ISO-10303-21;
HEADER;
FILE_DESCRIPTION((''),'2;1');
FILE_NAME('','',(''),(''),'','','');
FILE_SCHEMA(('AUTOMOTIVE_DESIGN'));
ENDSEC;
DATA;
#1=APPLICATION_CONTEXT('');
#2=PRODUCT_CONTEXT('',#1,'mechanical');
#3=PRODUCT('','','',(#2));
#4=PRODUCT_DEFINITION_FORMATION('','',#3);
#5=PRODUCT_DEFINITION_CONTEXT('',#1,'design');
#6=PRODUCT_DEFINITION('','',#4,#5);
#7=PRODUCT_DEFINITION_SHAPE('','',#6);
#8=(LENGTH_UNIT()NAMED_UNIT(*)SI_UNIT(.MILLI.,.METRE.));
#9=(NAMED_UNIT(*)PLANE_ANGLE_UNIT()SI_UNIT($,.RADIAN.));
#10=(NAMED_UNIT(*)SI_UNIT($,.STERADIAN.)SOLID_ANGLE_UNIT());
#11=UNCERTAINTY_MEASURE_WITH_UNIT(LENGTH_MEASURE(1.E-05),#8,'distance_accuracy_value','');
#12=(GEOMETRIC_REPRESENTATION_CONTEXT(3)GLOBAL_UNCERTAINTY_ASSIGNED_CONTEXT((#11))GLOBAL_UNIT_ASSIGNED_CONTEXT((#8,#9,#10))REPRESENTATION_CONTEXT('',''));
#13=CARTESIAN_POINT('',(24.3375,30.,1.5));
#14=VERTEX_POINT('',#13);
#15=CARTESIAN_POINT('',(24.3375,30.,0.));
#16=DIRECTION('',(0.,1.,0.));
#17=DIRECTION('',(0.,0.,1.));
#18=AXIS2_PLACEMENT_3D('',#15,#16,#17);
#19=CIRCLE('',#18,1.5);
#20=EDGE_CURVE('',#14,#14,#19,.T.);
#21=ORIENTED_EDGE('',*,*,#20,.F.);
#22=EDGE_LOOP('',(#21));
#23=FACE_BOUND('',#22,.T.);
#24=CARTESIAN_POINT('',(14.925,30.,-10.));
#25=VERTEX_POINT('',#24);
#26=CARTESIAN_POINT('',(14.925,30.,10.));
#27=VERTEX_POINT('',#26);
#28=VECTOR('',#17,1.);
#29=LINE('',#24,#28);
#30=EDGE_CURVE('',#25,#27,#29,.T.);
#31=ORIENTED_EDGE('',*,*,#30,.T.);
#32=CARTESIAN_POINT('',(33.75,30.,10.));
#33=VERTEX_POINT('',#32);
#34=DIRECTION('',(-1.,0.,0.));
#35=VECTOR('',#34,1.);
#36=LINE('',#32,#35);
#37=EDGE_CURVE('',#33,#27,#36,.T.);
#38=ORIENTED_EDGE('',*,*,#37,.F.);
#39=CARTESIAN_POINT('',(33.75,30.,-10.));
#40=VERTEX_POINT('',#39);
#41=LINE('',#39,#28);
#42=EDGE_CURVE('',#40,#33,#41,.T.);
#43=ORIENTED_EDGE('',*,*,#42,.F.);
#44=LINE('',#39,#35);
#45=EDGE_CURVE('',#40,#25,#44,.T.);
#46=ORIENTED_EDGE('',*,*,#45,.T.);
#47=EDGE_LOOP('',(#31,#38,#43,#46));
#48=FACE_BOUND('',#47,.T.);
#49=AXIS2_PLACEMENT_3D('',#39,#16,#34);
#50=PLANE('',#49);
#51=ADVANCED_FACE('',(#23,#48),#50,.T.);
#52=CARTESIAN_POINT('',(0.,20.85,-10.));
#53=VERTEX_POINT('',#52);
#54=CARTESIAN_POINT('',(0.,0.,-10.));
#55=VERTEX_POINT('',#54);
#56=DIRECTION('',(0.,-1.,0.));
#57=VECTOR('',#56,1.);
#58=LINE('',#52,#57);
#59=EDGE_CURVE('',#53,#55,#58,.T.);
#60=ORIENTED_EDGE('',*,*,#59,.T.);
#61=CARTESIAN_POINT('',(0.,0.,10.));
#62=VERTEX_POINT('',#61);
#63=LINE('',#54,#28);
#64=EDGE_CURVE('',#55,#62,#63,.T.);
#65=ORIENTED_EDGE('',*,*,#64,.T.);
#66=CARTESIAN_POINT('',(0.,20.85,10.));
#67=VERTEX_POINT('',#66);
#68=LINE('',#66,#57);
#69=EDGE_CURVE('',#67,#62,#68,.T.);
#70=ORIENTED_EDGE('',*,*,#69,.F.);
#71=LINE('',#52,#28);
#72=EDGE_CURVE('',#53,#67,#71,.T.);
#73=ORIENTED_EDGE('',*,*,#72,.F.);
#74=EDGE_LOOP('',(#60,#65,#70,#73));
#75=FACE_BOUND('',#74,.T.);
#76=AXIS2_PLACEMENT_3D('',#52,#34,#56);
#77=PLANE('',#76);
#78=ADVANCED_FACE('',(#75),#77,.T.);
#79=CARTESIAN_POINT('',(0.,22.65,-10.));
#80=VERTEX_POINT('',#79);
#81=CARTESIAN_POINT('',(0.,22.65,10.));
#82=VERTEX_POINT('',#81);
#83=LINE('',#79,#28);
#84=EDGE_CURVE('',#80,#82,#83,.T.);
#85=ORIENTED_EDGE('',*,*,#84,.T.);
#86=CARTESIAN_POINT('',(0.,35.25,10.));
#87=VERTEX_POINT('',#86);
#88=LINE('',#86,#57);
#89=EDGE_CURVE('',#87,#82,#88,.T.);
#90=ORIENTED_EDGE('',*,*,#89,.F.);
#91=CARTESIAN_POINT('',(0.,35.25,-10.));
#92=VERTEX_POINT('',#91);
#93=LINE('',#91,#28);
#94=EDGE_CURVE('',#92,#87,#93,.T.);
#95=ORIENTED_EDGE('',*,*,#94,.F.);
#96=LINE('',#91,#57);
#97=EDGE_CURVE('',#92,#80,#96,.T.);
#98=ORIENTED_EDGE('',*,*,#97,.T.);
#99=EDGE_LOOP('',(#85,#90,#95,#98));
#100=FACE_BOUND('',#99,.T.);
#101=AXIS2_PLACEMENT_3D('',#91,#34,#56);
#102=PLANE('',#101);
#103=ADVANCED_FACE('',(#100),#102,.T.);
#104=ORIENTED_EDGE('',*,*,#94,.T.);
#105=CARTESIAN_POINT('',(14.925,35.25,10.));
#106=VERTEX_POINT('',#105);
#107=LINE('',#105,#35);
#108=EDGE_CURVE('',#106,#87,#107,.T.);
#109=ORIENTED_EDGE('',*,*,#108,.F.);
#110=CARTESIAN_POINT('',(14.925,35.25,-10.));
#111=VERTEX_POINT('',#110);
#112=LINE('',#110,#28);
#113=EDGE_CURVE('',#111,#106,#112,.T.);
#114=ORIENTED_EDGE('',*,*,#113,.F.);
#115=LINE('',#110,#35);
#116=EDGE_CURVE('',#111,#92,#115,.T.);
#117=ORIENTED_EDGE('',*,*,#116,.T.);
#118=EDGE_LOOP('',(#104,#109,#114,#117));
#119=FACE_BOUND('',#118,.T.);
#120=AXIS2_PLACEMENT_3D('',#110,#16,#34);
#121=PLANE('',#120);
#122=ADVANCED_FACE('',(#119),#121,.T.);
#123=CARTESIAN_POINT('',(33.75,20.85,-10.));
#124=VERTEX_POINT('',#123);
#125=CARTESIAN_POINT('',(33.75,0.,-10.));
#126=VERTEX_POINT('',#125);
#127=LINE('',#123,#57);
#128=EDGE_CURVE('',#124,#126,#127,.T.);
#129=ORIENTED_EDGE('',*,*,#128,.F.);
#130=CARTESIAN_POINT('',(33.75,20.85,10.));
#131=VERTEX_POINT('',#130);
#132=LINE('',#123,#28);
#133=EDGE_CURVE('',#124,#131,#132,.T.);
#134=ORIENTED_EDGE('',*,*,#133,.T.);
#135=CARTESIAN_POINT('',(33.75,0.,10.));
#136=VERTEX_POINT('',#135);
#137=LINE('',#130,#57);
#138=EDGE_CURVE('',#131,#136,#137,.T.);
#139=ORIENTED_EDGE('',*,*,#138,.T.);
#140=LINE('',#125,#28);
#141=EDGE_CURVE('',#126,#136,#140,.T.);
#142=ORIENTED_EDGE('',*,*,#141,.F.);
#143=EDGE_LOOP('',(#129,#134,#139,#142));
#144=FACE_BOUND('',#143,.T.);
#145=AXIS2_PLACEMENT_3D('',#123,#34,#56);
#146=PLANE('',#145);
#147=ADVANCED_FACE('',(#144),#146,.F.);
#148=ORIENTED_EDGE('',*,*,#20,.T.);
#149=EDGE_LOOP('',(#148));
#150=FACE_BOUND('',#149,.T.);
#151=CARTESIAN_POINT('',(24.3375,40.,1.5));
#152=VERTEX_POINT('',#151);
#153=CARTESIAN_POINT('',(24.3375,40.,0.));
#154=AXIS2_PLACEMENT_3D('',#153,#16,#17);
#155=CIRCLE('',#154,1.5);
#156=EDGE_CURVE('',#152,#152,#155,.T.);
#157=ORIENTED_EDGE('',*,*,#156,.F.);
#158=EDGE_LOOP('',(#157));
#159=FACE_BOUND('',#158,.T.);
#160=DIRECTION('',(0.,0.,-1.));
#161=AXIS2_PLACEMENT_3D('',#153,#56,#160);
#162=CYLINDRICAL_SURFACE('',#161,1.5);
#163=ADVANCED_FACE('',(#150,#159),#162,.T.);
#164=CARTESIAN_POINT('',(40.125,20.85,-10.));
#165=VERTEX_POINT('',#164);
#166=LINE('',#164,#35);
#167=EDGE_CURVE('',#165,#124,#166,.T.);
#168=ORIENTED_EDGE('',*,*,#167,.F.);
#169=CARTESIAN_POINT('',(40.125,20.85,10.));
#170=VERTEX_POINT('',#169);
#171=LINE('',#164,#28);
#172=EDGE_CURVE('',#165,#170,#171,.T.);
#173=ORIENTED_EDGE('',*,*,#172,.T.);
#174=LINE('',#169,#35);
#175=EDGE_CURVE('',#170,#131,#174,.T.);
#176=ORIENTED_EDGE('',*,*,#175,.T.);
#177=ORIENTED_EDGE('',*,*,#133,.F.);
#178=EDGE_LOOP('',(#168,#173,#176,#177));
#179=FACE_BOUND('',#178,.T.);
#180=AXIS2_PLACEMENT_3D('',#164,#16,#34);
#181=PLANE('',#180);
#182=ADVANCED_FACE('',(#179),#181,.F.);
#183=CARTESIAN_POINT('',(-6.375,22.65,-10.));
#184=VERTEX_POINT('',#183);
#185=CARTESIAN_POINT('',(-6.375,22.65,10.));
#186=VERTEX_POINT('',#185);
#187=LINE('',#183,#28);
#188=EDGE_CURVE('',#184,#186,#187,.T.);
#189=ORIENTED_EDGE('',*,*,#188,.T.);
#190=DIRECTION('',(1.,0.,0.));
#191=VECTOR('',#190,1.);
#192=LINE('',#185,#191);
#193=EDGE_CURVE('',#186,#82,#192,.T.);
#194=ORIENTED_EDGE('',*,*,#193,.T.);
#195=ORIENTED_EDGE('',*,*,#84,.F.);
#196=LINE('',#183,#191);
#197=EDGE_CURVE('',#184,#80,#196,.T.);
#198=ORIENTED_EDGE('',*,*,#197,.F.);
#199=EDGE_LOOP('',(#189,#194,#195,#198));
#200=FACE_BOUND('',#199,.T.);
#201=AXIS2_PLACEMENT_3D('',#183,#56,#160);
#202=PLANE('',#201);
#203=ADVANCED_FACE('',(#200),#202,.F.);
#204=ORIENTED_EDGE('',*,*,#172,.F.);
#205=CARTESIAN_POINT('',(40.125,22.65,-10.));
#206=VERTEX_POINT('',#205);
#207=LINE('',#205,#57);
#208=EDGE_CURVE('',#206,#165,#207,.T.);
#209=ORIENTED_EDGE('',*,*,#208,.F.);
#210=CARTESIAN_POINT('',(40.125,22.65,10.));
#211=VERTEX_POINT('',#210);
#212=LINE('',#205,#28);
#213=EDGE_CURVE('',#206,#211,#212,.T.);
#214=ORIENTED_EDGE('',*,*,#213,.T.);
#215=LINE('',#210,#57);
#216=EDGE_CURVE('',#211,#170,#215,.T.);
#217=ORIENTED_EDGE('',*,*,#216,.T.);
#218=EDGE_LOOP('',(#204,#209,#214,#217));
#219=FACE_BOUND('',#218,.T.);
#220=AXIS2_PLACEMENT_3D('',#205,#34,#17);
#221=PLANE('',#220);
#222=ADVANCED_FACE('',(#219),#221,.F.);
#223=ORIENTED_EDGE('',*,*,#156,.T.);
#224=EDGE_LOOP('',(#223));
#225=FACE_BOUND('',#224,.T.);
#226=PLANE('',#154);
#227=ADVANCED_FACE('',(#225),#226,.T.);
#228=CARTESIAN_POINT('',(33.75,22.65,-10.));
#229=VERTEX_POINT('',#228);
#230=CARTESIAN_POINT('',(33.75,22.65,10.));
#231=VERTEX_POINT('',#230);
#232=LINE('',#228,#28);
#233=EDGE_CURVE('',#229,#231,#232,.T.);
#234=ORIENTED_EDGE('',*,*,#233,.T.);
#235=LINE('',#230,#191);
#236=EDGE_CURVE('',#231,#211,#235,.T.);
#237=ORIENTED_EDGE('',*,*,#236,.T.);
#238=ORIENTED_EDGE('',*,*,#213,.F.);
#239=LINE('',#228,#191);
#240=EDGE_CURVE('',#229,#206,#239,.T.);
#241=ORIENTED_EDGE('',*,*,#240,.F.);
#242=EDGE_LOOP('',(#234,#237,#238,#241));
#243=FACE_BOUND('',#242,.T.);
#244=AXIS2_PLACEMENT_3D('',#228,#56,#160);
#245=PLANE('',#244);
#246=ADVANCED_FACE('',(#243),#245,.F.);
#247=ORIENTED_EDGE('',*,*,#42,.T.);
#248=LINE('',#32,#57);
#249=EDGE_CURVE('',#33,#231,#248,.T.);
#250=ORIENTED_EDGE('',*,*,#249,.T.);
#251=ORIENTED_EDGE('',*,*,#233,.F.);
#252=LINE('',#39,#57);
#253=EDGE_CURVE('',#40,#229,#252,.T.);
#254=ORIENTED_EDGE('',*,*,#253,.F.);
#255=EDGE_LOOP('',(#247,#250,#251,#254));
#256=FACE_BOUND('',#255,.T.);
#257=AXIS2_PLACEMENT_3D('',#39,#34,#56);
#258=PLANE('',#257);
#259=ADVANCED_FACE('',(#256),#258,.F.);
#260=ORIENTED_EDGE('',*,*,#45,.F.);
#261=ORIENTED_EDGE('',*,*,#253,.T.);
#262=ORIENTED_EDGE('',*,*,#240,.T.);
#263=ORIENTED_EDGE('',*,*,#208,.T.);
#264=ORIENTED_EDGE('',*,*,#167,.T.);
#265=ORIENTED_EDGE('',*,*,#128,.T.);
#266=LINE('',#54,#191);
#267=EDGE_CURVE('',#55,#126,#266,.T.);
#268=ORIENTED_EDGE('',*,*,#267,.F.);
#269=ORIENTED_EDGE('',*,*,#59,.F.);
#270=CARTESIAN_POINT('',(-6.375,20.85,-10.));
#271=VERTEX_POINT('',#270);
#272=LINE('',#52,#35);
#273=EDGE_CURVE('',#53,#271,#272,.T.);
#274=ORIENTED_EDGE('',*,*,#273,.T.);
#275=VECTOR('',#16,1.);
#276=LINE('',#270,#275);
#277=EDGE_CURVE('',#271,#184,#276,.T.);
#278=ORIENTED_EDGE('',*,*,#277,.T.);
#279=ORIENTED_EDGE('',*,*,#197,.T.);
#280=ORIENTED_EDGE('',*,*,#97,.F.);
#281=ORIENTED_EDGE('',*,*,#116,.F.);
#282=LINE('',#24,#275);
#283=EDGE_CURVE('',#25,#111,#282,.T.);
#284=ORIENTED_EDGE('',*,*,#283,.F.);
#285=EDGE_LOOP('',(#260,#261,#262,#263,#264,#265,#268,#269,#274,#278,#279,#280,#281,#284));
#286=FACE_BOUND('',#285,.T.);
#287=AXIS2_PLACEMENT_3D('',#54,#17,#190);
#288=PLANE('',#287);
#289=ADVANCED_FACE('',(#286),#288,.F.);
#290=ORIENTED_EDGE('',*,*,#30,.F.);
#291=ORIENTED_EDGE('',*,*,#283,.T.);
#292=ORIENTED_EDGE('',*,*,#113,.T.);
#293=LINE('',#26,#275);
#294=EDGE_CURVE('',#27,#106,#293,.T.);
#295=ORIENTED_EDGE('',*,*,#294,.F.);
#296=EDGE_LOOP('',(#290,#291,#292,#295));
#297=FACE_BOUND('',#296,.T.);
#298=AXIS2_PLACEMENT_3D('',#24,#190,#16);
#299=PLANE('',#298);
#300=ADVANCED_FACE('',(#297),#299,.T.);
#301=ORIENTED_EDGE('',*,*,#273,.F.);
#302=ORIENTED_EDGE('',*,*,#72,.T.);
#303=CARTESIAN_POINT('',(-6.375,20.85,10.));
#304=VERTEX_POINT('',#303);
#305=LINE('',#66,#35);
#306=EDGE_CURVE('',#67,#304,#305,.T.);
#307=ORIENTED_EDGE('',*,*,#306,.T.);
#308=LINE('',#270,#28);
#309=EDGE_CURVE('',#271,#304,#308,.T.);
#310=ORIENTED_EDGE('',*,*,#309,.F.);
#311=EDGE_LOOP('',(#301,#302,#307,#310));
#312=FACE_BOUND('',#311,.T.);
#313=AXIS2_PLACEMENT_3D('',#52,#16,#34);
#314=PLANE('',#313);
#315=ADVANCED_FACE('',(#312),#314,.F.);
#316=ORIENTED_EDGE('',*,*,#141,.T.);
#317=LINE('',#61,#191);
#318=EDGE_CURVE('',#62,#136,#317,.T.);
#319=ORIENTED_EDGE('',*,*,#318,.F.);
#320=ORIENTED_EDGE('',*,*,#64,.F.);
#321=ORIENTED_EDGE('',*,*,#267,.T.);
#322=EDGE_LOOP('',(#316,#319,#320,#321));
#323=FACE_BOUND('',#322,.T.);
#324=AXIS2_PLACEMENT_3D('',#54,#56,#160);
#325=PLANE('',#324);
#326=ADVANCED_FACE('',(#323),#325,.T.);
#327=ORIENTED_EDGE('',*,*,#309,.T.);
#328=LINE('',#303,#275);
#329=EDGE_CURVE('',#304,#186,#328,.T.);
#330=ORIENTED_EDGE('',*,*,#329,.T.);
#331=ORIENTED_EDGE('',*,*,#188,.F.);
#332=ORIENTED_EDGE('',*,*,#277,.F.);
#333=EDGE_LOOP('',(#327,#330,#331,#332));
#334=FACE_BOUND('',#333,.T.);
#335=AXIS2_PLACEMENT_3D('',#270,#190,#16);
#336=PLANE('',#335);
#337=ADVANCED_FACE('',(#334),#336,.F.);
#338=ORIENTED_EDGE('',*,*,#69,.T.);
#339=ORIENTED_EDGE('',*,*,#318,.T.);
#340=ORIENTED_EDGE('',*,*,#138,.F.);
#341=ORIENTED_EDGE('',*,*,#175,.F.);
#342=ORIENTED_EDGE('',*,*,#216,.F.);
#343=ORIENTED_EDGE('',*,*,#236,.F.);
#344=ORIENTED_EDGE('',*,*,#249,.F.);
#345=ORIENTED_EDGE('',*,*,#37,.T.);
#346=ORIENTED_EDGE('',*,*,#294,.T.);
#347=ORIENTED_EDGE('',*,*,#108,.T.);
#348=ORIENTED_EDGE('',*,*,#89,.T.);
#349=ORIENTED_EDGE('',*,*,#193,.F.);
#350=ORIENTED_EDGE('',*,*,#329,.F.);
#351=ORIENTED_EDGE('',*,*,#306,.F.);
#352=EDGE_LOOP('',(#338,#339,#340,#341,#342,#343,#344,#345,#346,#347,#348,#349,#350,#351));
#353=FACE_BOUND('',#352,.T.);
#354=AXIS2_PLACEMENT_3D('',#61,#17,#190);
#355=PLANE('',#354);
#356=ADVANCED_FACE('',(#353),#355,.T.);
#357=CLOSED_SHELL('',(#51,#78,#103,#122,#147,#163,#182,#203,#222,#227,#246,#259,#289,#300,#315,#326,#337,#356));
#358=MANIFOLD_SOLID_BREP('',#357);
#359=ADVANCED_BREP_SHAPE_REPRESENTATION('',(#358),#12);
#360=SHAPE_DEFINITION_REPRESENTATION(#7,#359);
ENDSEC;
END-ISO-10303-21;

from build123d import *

# Parameters (mm, degrees)
BOSS_EXTRU_1_DEPTH      = 10
BOSS_EXTRU_1_DEPTH_BACK = 10
ESQUISSE3_R             = 1.5
BOSS_EXTRU_2_DEPTH      = 10


with BuildPart() as part:
    # Esquisse1 → Boss.-Extru.1 (new, two sides: drawn at the far end of the back side and taken through both)
    with BuildSketch(Plane.XY.offset(-BOSS_EXTRU_1_DEPTH_BACK)):
        Polygon((0, 0), (33.75, 0), (33.75, 20.85), (40.125, 20.85), (40.125, 22.65), (33.75, 22.65), (33.75, 30), (14.925, 30), (14.925, 35.25), (0, 35.25), (0, 22.65), (-6.375, 22.65), (-6.375, 20.85), (0, 20.85), align=None)
    extrude(amount=BOSS_EXTRU_1_DEPTH + BOSS_EXTRU_1_DEPTH_BACK)

    # Esquisse3 → Boss.-Extru.2 (add)
    with BuildSketch(Plane(origin=(0, 30, 0), x_dir=(1, 0, 0), z_dir=(0, 1, 0))):
        with Locations((24.3375, 0)):
            Circle(ESQUISSE3_R)
    extrude(amount=BOSS_EXTRU_2_DEPTH)


solid = part.part
